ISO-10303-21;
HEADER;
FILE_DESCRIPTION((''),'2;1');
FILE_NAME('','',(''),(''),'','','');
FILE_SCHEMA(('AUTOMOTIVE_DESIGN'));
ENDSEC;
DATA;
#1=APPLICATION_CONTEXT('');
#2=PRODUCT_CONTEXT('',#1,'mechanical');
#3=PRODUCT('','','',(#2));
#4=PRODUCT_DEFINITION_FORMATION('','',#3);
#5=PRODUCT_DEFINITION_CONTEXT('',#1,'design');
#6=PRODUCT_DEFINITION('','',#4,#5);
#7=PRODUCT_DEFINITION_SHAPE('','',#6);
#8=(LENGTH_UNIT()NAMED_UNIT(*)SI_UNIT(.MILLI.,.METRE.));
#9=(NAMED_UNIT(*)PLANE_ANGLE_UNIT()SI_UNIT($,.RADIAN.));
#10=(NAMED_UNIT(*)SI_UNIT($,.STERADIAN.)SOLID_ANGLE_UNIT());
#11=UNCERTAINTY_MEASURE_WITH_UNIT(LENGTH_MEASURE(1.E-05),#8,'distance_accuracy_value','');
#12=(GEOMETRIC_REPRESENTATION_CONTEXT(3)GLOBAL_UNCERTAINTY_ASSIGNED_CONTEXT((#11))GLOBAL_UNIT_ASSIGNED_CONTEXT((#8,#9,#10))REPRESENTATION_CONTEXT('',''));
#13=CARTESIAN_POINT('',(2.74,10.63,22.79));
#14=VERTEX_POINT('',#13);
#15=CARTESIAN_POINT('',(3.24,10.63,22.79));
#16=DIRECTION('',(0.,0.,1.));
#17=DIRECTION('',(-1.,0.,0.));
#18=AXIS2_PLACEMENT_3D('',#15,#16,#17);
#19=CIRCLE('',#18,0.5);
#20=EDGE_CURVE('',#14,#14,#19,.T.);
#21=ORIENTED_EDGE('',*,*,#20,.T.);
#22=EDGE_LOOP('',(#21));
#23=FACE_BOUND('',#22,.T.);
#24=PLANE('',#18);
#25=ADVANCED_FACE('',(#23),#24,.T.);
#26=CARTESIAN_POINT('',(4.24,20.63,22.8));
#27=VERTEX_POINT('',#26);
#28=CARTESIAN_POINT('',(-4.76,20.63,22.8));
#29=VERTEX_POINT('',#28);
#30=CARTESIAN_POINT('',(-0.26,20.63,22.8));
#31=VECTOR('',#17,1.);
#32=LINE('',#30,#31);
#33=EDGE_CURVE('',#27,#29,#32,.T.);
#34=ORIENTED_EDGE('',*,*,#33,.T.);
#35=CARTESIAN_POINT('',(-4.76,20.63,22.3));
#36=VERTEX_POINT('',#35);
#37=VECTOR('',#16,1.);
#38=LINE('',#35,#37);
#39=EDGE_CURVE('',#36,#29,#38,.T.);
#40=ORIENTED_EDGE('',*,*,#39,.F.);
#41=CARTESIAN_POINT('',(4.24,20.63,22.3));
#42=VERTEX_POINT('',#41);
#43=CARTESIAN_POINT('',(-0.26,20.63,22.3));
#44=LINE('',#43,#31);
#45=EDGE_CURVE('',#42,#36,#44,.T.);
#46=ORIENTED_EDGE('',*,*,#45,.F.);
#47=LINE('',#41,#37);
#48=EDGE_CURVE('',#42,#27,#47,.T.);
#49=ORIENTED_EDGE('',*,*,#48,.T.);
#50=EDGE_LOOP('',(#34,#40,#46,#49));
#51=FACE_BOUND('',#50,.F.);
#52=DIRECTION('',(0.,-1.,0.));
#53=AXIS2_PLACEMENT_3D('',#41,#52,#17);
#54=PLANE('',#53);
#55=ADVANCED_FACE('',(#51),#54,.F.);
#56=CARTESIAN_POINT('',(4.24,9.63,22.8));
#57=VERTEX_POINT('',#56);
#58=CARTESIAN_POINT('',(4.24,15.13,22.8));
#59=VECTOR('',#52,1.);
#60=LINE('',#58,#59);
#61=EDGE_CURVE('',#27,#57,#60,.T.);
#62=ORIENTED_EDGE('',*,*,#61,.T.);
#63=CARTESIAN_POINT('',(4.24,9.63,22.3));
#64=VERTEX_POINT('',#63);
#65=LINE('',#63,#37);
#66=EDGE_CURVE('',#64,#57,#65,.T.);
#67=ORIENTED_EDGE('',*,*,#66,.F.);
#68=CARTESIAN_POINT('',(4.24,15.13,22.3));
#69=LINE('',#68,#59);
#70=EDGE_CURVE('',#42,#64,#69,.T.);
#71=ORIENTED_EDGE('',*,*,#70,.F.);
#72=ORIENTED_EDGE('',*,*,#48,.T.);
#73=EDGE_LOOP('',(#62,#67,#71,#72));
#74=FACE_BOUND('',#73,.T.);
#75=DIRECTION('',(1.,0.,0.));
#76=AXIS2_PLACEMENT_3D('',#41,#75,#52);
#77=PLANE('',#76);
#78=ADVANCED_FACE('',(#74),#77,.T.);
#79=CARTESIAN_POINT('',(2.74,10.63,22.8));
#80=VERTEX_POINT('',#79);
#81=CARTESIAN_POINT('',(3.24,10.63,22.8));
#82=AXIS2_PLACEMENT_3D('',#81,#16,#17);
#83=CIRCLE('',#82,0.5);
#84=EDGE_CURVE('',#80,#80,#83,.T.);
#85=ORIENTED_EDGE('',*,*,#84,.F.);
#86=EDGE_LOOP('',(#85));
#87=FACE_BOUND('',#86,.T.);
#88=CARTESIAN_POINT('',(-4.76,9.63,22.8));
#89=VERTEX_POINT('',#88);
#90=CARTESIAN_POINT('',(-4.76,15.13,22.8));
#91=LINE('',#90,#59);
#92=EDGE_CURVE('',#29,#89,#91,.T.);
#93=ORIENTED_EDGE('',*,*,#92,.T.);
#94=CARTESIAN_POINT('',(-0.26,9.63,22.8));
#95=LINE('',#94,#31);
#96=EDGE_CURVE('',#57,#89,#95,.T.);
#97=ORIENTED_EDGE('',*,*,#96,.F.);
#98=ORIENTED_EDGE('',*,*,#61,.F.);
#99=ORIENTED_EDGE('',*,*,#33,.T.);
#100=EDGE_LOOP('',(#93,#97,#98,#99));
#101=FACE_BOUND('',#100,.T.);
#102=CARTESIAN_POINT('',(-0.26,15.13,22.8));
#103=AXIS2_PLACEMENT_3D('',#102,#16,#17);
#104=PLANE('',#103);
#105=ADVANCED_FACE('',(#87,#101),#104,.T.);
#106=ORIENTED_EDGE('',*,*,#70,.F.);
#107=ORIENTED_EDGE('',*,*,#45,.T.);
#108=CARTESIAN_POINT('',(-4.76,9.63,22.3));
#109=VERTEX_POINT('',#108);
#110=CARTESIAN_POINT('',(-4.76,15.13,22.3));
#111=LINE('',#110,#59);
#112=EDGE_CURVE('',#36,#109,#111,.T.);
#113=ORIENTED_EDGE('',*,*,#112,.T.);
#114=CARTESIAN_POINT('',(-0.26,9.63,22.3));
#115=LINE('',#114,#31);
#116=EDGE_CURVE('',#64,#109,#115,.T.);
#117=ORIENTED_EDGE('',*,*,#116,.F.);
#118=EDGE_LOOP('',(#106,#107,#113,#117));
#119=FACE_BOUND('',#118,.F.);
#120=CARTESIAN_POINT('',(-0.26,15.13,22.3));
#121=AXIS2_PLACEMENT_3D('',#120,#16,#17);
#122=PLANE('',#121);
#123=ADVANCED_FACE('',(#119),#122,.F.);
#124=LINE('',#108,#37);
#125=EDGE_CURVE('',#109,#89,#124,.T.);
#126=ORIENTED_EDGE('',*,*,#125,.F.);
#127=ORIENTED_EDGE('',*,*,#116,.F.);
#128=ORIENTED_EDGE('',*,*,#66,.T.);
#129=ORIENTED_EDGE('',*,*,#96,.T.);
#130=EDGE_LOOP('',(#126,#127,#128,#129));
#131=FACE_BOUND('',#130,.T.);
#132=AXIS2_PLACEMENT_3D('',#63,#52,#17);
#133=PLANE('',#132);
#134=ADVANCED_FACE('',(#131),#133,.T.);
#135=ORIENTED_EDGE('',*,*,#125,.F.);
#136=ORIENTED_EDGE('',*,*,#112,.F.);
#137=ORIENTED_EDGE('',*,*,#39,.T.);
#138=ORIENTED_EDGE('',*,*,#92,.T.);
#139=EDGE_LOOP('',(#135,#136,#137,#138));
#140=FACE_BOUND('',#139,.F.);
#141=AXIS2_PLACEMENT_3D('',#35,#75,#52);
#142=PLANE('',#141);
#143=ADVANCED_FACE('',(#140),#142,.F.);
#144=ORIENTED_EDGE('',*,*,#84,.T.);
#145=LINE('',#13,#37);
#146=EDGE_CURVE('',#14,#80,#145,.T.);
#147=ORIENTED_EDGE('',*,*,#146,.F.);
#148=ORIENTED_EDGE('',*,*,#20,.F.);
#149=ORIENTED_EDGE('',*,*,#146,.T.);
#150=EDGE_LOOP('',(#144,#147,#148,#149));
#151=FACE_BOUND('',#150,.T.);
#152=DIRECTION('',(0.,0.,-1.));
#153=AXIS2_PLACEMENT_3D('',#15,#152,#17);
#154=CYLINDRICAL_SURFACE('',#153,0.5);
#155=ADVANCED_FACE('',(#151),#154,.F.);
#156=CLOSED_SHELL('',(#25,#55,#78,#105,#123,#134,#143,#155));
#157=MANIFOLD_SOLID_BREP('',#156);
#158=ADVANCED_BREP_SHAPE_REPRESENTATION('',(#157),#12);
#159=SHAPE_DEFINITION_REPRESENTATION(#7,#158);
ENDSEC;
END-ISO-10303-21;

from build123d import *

# Parameters (mm, degrees)
CYLINDER030_R          = 0.5
CYLINDER030_DEPTH      = 0.01
BOX075_W               = 9
BOX075_H               = 11
BOX075_DEPTH           = 0.5
CUT023_PLACEMENT_ANGLE = 180


with BuildPart() as cylinder030:
    # Cylinder030 → Cylinder030 (new body)
    with BuildSketch(Plane(origin=(1, 10, 0.49), x_dir=(1, 0, 0), z_dir=(0, 0, 1))):
        Circle(CYLINDER030_R)
    extrude(amount=CYLINDER030_DEPTH)


with BuildPart() as large_linbo3_plate019:
    # Box075 → Box075 (new body)
    with BuildSketch(Plane.XY):
        with Locations((4.5, 5.5)):
            Rectangle(BOX075_W, BOX075_H)
    extrude(amount=BOX075_DEPTH)

    # Cut023: cut Cylinder030
    add(cylinder030.part, mode=Mode.SUBTRACT)


with BuildPart() as large_linbo3_plate019_1:
    # Cut023 placement: moved
    add(large_linbo3_plate019.part.moved(Location((4.24, 20.63, 22.3))).rotate(Axis((4.24, 20.63, 22.3), (0, 0, 1)), CUT023_PLACEMENT_ANGLE))


solid = large_linbo3_plate019_1.part
